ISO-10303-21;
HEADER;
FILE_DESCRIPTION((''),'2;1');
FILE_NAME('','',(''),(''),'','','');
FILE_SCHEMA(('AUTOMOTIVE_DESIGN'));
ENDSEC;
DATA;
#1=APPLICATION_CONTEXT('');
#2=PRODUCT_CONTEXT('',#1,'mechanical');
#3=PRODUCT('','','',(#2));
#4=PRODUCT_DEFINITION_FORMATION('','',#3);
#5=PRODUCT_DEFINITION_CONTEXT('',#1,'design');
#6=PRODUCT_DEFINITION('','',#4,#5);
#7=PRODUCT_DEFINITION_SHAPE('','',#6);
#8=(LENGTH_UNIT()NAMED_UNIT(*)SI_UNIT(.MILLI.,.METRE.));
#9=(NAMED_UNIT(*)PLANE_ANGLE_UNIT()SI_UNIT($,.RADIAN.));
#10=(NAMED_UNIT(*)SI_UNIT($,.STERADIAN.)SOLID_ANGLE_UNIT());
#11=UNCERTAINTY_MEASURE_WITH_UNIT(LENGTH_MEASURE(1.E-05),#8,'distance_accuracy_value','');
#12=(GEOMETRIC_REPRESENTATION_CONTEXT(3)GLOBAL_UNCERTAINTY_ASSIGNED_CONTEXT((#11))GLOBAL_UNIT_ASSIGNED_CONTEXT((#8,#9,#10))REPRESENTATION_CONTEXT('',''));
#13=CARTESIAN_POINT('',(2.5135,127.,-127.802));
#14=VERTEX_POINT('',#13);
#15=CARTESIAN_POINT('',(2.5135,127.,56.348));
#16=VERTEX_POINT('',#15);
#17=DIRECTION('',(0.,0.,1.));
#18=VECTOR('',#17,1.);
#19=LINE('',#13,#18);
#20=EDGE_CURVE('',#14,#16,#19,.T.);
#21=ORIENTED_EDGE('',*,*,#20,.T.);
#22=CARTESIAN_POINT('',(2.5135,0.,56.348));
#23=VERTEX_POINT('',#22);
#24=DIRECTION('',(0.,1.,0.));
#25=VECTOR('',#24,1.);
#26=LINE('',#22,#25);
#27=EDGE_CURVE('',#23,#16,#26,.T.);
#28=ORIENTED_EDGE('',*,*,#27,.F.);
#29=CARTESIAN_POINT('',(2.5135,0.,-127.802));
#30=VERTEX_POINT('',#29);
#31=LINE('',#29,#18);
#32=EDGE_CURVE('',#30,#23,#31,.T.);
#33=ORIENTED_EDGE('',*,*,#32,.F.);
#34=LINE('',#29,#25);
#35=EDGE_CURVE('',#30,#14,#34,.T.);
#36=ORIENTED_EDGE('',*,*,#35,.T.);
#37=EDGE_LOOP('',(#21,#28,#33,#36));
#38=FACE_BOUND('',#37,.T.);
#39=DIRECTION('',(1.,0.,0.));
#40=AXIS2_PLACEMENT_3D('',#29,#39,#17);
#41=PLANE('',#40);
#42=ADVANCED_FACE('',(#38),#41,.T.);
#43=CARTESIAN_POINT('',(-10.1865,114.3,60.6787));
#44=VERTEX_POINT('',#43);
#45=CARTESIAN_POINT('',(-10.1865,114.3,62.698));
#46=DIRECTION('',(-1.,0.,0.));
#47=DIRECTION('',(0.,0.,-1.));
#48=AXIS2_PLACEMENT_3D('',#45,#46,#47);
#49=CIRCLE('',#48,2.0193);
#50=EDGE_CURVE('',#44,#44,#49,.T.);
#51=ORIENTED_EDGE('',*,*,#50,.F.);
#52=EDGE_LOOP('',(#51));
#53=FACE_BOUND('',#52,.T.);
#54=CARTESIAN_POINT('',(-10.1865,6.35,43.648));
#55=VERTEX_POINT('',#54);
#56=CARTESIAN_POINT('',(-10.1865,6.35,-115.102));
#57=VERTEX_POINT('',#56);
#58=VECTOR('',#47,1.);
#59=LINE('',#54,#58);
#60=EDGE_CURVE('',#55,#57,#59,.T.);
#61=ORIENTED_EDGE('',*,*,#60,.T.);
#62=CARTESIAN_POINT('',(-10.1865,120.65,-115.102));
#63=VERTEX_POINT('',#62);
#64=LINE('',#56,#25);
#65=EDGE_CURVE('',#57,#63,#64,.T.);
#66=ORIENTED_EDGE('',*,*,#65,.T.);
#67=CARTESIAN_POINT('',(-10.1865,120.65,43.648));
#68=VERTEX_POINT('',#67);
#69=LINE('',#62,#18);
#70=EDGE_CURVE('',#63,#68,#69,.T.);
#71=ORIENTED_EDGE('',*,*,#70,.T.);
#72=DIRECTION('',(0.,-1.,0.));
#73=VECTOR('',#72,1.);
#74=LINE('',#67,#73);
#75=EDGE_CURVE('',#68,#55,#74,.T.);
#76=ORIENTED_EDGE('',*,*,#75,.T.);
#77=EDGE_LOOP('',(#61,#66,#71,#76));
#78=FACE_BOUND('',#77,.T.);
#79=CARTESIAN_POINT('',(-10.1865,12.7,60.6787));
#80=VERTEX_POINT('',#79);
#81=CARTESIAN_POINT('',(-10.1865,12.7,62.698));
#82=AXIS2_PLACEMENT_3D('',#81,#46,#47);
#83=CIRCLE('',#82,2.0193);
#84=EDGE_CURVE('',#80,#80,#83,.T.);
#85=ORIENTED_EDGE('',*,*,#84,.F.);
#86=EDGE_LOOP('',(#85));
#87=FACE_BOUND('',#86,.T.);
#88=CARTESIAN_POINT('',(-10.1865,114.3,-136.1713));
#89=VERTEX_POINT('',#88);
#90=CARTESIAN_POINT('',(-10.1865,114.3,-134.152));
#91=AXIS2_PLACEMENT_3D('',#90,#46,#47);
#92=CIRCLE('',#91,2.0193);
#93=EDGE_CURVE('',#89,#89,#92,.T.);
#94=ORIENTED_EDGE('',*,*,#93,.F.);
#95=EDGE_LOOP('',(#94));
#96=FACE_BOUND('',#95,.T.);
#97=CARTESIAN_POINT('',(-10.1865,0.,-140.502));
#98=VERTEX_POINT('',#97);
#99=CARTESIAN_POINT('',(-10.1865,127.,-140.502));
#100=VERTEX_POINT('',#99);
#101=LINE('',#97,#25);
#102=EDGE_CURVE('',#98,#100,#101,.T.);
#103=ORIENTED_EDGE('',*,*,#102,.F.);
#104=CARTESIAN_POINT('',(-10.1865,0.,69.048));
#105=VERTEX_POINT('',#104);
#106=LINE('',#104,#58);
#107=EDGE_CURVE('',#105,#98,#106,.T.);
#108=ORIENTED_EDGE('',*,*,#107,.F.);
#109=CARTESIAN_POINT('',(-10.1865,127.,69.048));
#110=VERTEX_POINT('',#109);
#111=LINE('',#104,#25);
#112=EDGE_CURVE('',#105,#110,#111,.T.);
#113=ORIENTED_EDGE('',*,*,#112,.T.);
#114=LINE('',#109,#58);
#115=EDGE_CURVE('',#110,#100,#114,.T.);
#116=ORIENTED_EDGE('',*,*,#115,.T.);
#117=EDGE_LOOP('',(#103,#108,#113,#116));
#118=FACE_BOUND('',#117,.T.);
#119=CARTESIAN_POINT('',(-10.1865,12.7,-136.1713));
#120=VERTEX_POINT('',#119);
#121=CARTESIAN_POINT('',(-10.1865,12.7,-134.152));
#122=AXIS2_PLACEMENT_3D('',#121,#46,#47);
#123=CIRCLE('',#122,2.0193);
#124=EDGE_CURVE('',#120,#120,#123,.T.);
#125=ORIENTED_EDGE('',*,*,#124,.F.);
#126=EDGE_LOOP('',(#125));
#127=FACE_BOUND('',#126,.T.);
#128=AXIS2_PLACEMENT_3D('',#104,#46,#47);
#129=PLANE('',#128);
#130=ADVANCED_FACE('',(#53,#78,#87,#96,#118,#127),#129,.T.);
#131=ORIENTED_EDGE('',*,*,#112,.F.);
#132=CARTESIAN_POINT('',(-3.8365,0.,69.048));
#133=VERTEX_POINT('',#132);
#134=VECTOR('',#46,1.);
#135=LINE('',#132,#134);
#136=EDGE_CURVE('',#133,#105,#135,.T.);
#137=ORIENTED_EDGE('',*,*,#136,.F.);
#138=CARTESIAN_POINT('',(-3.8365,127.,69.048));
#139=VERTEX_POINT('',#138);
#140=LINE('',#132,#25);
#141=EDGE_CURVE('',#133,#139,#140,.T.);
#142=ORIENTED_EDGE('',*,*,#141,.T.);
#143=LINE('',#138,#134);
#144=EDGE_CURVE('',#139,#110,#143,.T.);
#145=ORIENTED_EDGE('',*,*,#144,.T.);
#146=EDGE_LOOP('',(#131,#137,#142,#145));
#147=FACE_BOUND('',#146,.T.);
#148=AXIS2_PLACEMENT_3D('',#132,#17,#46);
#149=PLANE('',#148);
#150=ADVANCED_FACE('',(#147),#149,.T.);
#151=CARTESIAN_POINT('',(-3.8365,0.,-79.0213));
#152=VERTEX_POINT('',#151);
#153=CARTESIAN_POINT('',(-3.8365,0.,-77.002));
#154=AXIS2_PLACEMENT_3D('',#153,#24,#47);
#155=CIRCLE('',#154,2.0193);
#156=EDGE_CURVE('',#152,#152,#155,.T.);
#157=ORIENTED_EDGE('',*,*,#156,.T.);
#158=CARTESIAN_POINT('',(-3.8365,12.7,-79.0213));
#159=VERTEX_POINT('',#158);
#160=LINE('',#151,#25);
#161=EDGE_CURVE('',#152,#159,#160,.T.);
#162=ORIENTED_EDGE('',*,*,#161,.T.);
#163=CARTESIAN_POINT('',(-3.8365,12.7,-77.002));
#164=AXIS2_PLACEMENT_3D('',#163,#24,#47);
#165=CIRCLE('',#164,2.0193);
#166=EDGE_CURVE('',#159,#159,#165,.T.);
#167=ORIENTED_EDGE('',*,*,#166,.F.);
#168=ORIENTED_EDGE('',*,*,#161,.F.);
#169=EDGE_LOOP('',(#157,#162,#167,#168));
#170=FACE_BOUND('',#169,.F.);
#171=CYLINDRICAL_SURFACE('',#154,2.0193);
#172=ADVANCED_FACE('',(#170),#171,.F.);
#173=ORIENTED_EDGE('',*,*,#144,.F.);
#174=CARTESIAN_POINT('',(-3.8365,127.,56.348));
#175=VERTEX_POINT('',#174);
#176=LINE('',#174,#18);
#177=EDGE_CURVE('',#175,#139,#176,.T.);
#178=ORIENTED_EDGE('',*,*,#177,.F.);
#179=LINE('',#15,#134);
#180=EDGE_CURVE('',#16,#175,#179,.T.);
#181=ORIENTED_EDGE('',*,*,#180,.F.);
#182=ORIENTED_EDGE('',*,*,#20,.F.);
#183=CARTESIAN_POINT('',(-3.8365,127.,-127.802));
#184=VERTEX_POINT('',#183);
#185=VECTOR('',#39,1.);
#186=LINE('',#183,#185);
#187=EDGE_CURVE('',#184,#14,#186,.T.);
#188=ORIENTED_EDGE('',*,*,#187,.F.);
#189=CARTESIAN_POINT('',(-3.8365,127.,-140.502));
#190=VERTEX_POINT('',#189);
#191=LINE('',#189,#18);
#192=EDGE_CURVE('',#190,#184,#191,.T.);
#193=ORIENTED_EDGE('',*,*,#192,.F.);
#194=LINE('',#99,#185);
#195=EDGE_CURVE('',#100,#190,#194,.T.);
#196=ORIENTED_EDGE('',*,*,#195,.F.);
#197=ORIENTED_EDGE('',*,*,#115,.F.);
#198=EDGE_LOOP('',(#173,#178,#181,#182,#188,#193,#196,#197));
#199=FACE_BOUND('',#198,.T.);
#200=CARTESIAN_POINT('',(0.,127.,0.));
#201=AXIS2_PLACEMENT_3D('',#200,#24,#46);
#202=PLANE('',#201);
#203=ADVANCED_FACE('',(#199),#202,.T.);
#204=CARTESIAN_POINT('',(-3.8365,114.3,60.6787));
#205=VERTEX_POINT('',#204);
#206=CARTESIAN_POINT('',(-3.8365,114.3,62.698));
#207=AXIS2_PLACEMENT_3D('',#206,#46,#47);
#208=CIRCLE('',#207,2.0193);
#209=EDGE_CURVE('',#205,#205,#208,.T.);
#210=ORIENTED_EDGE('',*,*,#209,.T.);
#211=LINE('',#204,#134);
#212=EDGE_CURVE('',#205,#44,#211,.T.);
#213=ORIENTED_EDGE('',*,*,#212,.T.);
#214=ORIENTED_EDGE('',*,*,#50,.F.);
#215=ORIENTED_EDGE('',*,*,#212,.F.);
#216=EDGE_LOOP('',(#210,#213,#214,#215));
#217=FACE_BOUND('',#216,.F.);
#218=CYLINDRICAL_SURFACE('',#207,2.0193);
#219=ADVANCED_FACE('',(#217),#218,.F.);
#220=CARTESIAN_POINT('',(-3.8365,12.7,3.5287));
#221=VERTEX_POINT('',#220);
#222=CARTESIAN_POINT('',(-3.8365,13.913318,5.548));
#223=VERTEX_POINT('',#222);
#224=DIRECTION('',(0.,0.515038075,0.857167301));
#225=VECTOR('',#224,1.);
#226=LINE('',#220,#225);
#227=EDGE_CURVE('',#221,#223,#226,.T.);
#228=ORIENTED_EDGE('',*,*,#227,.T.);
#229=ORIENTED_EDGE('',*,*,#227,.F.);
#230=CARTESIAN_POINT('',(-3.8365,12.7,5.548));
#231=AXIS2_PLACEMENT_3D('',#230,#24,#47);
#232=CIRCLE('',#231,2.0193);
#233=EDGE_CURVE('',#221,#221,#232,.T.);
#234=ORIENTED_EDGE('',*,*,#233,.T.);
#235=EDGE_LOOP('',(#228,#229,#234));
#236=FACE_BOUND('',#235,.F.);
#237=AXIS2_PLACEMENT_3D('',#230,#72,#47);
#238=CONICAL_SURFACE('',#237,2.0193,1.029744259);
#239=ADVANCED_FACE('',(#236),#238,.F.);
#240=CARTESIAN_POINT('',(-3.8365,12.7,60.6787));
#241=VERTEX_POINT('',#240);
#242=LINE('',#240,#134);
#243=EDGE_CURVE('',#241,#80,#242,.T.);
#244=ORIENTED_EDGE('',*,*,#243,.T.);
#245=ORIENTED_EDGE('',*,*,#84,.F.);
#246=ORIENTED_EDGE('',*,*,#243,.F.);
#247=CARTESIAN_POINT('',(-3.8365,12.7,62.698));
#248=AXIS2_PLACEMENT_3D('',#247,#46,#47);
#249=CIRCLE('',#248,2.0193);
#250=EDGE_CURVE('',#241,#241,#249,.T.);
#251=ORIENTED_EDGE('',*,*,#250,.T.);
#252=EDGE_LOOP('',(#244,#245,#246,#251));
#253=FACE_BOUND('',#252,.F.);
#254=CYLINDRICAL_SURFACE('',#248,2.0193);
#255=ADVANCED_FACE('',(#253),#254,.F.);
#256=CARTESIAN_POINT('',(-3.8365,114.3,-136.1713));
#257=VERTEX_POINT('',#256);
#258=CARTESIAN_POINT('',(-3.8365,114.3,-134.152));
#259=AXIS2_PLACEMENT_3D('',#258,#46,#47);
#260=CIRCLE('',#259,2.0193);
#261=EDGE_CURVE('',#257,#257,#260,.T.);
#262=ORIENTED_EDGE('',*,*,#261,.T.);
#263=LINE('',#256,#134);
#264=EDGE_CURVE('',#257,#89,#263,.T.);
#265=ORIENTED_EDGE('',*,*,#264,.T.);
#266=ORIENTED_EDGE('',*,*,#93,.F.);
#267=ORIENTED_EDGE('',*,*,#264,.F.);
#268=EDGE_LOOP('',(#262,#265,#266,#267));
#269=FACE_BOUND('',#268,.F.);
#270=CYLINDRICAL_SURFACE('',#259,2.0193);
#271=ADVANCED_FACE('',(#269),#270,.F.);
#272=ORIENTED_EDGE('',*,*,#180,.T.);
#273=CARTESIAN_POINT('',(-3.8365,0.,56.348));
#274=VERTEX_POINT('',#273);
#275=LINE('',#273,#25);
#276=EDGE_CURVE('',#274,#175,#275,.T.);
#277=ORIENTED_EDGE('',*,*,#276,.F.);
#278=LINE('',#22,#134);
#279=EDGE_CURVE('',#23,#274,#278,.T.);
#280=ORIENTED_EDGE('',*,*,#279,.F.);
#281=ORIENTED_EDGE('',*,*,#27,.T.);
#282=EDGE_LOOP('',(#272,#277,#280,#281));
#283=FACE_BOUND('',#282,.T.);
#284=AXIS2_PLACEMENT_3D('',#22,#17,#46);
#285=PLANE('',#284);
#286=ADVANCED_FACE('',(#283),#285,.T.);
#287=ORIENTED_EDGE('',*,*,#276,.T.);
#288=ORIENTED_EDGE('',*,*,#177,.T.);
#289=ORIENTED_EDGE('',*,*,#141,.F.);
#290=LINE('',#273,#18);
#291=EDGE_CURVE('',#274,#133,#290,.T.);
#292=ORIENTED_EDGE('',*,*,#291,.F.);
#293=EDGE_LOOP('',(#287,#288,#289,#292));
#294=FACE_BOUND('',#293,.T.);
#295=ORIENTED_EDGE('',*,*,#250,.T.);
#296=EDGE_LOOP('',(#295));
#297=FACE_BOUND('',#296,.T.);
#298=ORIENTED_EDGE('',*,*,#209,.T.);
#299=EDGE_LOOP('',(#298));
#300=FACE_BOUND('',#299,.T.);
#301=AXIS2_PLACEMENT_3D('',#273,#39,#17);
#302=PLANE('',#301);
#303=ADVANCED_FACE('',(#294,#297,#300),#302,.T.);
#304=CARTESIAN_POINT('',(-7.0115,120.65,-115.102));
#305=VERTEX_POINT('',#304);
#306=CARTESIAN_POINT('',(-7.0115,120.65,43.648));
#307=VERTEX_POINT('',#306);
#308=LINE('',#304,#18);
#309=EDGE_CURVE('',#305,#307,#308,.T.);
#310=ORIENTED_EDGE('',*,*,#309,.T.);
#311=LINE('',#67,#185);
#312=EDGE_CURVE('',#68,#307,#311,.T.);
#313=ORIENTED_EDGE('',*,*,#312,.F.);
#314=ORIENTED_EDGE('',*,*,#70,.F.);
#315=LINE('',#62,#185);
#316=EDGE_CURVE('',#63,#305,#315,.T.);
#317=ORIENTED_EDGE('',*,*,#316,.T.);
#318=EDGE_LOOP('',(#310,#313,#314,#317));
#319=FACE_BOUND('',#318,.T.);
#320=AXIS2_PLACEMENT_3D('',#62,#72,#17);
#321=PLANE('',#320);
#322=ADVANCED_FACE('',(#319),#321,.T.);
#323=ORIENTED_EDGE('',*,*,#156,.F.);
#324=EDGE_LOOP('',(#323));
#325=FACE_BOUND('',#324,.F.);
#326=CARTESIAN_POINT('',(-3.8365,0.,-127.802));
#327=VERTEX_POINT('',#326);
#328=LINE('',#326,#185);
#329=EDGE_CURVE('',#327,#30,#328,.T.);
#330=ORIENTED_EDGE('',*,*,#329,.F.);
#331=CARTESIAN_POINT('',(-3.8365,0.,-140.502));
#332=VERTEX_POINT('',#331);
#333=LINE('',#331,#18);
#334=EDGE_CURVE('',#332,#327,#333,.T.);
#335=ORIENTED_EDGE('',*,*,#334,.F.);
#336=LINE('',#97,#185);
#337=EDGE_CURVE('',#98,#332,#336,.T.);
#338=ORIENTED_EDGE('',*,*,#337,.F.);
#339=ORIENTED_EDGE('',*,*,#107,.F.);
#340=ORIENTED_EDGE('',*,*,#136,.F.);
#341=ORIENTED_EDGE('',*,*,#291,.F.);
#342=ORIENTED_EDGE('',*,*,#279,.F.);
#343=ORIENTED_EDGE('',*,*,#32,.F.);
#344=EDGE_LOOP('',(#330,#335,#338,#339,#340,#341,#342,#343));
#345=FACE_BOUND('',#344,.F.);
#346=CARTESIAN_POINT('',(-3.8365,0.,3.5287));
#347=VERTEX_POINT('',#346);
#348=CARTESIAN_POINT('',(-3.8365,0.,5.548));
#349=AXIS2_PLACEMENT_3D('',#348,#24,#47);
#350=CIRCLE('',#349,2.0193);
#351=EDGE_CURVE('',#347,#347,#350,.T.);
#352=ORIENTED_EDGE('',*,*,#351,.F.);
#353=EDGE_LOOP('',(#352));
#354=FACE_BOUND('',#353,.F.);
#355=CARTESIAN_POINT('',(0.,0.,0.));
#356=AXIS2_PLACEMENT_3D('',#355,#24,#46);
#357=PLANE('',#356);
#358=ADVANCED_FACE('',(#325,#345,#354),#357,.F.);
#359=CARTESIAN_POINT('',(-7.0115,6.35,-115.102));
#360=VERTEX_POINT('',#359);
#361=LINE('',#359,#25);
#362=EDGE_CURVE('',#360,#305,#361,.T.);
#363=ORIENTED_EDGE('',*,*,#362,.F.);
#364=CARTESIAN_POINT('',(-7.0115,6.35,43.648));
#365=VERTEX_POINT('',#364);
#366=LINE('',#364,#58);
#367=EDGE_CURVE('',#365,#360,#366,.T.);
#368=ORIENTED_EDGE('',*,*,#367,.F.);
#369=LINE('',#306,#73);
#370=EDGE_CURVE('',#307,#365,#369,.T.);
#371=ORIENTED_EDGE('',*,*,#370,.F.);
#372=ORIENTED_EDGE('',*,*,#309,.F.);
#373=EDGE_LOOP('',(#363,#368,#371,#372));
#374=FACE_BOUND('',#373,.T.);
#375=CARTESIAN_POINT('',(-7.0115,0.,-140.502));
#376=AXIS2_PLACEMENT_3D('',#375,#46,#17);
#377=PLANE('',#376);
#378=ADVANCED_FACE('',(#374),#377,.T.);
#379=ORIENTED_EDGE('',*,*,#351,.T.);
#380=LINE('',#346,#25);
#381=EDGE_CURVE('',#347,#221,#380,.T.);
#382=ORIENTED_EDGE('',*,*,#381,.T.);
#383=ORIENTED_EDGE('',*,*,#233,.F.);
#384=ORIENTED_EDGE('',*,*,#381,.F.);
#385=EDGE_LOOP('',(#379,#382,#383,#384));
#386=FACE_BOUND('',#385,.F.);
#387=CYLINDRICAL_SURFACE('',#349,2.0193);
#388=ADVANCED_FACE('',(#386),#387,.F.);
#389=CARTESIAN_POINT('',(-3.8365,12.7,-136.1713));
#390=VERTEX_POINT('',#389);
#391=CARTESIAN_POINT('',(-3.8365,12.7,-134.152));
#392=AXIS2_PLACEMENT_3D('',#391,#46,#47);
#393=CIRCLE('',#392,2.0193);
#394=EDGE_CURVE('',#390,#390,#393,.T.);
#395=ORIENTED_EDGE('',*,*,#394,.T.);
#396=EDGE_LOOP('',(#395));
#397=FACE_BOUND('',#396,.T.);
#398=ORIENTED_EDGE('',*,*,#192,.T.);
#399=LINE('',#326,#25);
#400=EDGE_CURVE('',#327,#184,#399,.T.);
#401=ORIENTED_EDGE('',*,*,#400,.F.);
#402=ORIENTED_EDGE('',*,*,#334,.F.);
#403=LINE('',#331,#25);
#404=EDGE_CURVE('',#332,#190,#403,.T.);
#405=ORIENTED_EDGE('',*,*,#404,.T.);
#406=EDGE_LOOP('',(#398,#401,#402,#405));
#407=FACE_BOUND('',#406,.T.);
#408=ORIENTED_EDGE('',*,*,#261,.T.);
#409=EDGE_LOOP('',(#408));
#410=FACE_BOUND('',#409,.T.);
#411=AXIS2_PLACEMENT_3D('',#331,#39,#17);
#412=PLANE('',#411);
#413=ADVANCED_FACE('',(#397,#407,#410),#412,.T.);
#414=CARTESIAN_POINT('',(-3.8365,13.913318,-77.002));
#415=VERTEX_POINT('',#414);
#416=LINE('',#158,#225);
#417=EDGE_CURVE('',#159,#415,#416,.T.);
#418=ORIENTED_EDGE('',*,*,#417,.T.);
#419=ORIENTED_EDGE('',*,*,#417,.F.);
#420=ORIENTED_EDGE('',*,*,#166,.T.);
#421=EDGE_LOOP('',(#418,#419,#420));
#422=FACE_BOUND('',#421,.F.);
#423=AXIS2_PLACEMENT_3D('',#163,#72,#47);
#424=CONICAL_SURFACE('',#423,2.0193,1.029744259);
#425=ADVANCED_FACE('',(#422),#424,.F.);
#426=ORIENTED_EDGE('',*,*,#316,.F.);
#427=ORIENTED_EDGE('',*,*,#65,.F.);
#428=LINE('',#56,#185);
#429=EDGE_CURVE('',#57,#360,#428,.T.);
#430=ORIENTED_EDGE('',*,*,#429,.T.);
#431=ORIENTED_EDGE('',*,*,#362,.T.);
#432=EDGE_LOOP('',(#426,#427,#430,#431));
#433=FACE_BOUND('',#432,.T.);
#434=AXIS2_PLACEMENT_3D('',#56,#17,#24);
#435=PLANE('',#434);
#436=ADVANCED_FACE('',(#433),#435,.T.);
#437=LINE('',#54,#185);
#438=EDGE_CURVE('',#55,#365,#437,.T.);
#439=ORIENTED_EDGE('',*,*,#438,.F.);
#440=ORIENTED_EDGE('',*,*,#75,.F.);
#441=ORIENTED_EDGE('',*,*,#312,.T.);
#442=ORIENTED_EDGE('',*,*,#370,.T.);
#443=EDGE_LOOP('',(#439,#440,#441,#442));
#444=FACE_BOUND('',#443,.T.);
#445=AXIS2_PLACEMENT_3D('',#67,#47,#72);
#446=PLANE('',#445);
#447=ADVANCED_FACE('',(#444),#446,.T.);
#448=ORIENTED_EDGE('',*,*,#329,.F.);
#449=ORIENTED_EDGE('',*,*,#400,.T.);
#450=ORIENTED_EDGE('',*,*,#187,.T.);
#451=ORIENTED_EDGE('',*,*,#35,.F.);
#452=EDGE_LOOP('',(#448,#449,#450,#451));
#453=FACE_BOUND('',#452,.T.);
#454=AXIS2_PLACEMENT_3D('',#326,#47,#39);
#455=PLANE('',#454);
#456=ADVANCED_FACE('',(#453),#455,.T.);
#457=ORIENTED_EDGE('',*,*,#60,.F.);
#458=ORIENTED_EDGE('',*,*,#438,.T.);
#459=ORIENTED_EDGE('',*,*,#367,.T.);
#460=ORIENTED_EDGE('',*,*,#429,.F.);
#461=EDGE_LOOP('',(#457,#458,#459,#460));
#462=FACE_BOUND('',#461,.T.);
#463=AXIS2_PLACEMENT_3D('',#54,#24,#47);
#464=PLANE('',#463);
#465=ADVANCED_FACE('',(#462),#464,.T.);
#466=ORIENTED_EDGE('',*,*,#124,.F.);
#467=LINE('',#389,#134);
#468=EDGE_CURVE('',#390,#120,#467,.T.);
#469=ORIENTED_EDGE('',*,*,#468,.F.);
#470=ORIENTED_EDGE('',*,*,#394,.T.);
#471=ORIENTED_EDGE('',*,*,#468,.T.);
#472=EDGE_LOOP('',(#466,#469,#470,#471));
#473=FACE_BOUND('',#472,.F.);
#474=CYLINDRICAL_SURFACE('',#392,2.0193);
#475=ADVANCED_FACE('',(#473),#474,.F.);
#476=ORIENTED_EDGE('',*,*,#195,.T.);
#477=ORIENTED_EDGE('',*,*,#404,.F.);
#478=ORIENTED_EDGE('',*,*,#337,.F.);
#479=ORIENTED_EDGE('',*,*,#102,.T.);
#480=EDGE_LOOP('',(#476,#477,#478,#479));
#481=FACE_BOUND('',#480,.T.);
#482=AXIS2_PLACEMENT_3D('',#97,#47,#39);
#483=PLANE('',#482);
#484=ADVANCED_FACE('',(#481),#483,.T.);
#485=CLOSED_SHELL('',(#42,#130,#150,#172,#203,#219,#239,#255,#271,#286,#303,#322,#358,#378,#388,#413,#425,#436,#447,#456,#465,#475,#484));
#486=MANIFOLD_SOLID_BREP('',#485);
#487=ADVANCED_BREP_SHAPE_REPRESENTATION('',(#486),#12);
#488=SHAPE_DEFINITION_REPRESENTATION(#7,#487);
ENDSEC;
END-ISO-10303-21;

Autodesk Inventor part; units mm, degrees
ref_plane "YZ Plane" through (0, 0, 0) normal (1, 0, 0) x (0, 1, 0)
ref_plane "XZ Plane" through (0, 0, 0) normal (0, 1, 0) x (-1, 0, 0)
ref_plane "XY Plane" through (0, 0, 0) normal (0, 0, 1) x (1, 0, 0)
sketch "Sketch1" plane through (0, 0, 0) normal (0, 1, 0) x (-1, 0, 0)
  line L0 (10.1865, 69.048) -> (10.1865, -140.502)
  line L1 (10.1865, -140.502) -> (3.8365, -140.502)
  line L2 (3.8365, -140.502) -> (3.8365, -127.802)
  line L3 (3.8365, -127.802) -> (-2.5135, -127.802)
  line L4 (-2.5135, -127.802) -> (-2.5135, 56.348)
  line L5 (-2.5135, 56.348) -> (3.8365, 56.348)
  line L6 (3.8365, 56.348) -> (3.8365, 69.048)
  line L7 (3.8365, 69.048) -> (10.1865, 69.048)
  point P0 (0, 0)
  dimension "d0" = 184.15
  dimension "d1" = 6.35
  dimension "d2" = 6.35
  dimension "d3" = 12.7
  dimension "d4" = 12.7
  dimension "d5" = 6.35
extrude "Extrusion1" add sketch "Sketch1" along normal blind 127
sketch "Sketch2" plane through (-3.8365, 0, 69.048) normal (1, 0, 0) x (0, 0, -1)
  line L0 (12.7, 0) -> (0, 0) projected
  line L1 (0, 0) -> (0, 127) projected
  line L2 (0, 127) -> (12.7, 127) projected
  point P0 (69.048, 0)
  point P1 (6.35, 114.3)
  point P2 (6.35, 12.7)
  dimension "d8" = 12.7
  dimension "d9" = 6.35
  dimension "d10" = 6.35
  dimension "d11" = 12.7
hole "Hole1" at (-3.8365, 114.3, 62.698) at (-3.8365, 12.7, 62.698) direction (-1, 0, 0) diameter 4.0386 depth 25.4 tip angle 118
sketch "Sketch3" plane through (-3.8365, 0, -127.802) normal (1, 0, 0) x (0, 0, -1)
  line L0 (12.7, 0) -> (0, 0) projected
  line L1 (12.7, 0) -> (12.7, 127) projected
  line L2 (12.7, 127) -> (-196.85, 127) projected
  point P0 (-127.802, 0)
  point P1 (6.35, 114.3)
  point P2 (6.35, 12.7)
  dimension "d19" = 12.7
  dimension "d20" = 6.35
  dimension "d21" = 6.35
  dimension "d22" = 12.7
hole "Hole2" at (-3.8365, 114.3, -134.152) at (-3.8365, 12.7, -134.152) direction (-1, 0, 0) diameter 4.0386 depth 25.4 tip angle 118
sketch "Sketch4" plane through (-10.1865, 0, -140.502) normal (-1, 0, 0) x (0, 0, 1)
  line L0 (25.4, 120.65) -> (184.15, 120.65)
  line L1 (184.15, 120.65) -> (184.15, 6.35)
  line L2 (184.15, 6.35) -> (25.4, 6.35)
  line L3 (25.4, 6.35) -> (25.4, 120.65)
  line L4 (196.85, 127) -> (12.7, 127) projected
  line L5 (209.55, 0) -> (0, 0) projected
  line L6 (0, 0) -> (0, 127) projected
  line L7 (209.55, 0) -> (209.55, 127) projected
  point P0 (140.502, 0)
  dimension "d30" = 6.35
  dimension "d31" = 6.35
  dimension "d32" = 25.4
  dimension "d33" = 25.4
extrude "Extrusion2" cut sketch "Sketch4" against normal blind 3.175
sketch "Sketch5" plane through (0, 0, 0) normal (0, -1, 0) x (1, 0, 0)
  line L0 (2.5135, -127.802) -> (2.5135, 56.348) projected
  line L1 (-10.1865, -140.502) -> (-3.8365, -140.502) projected
  line L2 (-3.8365, 69.048) -> (-10.1865, 69.048) projected
  point P0 (0, 0)
  point P1 (-3.8365, -77.002)
  point P2 (-3.8365, 5.548)
  dimension "d36" = 6.35
  dimension "d37" = 6.35
  dimension "d38" = 63.5
  dimension "d39" = 63.5
hole "Hole3" at (-3.8365, 0, -77.002) at (-3.8365, 0, 5.548) direction (0, 1, 0) diameter 4.0386 depth 12.7 tip angle 118
properties part number "BatteryHighFront"
